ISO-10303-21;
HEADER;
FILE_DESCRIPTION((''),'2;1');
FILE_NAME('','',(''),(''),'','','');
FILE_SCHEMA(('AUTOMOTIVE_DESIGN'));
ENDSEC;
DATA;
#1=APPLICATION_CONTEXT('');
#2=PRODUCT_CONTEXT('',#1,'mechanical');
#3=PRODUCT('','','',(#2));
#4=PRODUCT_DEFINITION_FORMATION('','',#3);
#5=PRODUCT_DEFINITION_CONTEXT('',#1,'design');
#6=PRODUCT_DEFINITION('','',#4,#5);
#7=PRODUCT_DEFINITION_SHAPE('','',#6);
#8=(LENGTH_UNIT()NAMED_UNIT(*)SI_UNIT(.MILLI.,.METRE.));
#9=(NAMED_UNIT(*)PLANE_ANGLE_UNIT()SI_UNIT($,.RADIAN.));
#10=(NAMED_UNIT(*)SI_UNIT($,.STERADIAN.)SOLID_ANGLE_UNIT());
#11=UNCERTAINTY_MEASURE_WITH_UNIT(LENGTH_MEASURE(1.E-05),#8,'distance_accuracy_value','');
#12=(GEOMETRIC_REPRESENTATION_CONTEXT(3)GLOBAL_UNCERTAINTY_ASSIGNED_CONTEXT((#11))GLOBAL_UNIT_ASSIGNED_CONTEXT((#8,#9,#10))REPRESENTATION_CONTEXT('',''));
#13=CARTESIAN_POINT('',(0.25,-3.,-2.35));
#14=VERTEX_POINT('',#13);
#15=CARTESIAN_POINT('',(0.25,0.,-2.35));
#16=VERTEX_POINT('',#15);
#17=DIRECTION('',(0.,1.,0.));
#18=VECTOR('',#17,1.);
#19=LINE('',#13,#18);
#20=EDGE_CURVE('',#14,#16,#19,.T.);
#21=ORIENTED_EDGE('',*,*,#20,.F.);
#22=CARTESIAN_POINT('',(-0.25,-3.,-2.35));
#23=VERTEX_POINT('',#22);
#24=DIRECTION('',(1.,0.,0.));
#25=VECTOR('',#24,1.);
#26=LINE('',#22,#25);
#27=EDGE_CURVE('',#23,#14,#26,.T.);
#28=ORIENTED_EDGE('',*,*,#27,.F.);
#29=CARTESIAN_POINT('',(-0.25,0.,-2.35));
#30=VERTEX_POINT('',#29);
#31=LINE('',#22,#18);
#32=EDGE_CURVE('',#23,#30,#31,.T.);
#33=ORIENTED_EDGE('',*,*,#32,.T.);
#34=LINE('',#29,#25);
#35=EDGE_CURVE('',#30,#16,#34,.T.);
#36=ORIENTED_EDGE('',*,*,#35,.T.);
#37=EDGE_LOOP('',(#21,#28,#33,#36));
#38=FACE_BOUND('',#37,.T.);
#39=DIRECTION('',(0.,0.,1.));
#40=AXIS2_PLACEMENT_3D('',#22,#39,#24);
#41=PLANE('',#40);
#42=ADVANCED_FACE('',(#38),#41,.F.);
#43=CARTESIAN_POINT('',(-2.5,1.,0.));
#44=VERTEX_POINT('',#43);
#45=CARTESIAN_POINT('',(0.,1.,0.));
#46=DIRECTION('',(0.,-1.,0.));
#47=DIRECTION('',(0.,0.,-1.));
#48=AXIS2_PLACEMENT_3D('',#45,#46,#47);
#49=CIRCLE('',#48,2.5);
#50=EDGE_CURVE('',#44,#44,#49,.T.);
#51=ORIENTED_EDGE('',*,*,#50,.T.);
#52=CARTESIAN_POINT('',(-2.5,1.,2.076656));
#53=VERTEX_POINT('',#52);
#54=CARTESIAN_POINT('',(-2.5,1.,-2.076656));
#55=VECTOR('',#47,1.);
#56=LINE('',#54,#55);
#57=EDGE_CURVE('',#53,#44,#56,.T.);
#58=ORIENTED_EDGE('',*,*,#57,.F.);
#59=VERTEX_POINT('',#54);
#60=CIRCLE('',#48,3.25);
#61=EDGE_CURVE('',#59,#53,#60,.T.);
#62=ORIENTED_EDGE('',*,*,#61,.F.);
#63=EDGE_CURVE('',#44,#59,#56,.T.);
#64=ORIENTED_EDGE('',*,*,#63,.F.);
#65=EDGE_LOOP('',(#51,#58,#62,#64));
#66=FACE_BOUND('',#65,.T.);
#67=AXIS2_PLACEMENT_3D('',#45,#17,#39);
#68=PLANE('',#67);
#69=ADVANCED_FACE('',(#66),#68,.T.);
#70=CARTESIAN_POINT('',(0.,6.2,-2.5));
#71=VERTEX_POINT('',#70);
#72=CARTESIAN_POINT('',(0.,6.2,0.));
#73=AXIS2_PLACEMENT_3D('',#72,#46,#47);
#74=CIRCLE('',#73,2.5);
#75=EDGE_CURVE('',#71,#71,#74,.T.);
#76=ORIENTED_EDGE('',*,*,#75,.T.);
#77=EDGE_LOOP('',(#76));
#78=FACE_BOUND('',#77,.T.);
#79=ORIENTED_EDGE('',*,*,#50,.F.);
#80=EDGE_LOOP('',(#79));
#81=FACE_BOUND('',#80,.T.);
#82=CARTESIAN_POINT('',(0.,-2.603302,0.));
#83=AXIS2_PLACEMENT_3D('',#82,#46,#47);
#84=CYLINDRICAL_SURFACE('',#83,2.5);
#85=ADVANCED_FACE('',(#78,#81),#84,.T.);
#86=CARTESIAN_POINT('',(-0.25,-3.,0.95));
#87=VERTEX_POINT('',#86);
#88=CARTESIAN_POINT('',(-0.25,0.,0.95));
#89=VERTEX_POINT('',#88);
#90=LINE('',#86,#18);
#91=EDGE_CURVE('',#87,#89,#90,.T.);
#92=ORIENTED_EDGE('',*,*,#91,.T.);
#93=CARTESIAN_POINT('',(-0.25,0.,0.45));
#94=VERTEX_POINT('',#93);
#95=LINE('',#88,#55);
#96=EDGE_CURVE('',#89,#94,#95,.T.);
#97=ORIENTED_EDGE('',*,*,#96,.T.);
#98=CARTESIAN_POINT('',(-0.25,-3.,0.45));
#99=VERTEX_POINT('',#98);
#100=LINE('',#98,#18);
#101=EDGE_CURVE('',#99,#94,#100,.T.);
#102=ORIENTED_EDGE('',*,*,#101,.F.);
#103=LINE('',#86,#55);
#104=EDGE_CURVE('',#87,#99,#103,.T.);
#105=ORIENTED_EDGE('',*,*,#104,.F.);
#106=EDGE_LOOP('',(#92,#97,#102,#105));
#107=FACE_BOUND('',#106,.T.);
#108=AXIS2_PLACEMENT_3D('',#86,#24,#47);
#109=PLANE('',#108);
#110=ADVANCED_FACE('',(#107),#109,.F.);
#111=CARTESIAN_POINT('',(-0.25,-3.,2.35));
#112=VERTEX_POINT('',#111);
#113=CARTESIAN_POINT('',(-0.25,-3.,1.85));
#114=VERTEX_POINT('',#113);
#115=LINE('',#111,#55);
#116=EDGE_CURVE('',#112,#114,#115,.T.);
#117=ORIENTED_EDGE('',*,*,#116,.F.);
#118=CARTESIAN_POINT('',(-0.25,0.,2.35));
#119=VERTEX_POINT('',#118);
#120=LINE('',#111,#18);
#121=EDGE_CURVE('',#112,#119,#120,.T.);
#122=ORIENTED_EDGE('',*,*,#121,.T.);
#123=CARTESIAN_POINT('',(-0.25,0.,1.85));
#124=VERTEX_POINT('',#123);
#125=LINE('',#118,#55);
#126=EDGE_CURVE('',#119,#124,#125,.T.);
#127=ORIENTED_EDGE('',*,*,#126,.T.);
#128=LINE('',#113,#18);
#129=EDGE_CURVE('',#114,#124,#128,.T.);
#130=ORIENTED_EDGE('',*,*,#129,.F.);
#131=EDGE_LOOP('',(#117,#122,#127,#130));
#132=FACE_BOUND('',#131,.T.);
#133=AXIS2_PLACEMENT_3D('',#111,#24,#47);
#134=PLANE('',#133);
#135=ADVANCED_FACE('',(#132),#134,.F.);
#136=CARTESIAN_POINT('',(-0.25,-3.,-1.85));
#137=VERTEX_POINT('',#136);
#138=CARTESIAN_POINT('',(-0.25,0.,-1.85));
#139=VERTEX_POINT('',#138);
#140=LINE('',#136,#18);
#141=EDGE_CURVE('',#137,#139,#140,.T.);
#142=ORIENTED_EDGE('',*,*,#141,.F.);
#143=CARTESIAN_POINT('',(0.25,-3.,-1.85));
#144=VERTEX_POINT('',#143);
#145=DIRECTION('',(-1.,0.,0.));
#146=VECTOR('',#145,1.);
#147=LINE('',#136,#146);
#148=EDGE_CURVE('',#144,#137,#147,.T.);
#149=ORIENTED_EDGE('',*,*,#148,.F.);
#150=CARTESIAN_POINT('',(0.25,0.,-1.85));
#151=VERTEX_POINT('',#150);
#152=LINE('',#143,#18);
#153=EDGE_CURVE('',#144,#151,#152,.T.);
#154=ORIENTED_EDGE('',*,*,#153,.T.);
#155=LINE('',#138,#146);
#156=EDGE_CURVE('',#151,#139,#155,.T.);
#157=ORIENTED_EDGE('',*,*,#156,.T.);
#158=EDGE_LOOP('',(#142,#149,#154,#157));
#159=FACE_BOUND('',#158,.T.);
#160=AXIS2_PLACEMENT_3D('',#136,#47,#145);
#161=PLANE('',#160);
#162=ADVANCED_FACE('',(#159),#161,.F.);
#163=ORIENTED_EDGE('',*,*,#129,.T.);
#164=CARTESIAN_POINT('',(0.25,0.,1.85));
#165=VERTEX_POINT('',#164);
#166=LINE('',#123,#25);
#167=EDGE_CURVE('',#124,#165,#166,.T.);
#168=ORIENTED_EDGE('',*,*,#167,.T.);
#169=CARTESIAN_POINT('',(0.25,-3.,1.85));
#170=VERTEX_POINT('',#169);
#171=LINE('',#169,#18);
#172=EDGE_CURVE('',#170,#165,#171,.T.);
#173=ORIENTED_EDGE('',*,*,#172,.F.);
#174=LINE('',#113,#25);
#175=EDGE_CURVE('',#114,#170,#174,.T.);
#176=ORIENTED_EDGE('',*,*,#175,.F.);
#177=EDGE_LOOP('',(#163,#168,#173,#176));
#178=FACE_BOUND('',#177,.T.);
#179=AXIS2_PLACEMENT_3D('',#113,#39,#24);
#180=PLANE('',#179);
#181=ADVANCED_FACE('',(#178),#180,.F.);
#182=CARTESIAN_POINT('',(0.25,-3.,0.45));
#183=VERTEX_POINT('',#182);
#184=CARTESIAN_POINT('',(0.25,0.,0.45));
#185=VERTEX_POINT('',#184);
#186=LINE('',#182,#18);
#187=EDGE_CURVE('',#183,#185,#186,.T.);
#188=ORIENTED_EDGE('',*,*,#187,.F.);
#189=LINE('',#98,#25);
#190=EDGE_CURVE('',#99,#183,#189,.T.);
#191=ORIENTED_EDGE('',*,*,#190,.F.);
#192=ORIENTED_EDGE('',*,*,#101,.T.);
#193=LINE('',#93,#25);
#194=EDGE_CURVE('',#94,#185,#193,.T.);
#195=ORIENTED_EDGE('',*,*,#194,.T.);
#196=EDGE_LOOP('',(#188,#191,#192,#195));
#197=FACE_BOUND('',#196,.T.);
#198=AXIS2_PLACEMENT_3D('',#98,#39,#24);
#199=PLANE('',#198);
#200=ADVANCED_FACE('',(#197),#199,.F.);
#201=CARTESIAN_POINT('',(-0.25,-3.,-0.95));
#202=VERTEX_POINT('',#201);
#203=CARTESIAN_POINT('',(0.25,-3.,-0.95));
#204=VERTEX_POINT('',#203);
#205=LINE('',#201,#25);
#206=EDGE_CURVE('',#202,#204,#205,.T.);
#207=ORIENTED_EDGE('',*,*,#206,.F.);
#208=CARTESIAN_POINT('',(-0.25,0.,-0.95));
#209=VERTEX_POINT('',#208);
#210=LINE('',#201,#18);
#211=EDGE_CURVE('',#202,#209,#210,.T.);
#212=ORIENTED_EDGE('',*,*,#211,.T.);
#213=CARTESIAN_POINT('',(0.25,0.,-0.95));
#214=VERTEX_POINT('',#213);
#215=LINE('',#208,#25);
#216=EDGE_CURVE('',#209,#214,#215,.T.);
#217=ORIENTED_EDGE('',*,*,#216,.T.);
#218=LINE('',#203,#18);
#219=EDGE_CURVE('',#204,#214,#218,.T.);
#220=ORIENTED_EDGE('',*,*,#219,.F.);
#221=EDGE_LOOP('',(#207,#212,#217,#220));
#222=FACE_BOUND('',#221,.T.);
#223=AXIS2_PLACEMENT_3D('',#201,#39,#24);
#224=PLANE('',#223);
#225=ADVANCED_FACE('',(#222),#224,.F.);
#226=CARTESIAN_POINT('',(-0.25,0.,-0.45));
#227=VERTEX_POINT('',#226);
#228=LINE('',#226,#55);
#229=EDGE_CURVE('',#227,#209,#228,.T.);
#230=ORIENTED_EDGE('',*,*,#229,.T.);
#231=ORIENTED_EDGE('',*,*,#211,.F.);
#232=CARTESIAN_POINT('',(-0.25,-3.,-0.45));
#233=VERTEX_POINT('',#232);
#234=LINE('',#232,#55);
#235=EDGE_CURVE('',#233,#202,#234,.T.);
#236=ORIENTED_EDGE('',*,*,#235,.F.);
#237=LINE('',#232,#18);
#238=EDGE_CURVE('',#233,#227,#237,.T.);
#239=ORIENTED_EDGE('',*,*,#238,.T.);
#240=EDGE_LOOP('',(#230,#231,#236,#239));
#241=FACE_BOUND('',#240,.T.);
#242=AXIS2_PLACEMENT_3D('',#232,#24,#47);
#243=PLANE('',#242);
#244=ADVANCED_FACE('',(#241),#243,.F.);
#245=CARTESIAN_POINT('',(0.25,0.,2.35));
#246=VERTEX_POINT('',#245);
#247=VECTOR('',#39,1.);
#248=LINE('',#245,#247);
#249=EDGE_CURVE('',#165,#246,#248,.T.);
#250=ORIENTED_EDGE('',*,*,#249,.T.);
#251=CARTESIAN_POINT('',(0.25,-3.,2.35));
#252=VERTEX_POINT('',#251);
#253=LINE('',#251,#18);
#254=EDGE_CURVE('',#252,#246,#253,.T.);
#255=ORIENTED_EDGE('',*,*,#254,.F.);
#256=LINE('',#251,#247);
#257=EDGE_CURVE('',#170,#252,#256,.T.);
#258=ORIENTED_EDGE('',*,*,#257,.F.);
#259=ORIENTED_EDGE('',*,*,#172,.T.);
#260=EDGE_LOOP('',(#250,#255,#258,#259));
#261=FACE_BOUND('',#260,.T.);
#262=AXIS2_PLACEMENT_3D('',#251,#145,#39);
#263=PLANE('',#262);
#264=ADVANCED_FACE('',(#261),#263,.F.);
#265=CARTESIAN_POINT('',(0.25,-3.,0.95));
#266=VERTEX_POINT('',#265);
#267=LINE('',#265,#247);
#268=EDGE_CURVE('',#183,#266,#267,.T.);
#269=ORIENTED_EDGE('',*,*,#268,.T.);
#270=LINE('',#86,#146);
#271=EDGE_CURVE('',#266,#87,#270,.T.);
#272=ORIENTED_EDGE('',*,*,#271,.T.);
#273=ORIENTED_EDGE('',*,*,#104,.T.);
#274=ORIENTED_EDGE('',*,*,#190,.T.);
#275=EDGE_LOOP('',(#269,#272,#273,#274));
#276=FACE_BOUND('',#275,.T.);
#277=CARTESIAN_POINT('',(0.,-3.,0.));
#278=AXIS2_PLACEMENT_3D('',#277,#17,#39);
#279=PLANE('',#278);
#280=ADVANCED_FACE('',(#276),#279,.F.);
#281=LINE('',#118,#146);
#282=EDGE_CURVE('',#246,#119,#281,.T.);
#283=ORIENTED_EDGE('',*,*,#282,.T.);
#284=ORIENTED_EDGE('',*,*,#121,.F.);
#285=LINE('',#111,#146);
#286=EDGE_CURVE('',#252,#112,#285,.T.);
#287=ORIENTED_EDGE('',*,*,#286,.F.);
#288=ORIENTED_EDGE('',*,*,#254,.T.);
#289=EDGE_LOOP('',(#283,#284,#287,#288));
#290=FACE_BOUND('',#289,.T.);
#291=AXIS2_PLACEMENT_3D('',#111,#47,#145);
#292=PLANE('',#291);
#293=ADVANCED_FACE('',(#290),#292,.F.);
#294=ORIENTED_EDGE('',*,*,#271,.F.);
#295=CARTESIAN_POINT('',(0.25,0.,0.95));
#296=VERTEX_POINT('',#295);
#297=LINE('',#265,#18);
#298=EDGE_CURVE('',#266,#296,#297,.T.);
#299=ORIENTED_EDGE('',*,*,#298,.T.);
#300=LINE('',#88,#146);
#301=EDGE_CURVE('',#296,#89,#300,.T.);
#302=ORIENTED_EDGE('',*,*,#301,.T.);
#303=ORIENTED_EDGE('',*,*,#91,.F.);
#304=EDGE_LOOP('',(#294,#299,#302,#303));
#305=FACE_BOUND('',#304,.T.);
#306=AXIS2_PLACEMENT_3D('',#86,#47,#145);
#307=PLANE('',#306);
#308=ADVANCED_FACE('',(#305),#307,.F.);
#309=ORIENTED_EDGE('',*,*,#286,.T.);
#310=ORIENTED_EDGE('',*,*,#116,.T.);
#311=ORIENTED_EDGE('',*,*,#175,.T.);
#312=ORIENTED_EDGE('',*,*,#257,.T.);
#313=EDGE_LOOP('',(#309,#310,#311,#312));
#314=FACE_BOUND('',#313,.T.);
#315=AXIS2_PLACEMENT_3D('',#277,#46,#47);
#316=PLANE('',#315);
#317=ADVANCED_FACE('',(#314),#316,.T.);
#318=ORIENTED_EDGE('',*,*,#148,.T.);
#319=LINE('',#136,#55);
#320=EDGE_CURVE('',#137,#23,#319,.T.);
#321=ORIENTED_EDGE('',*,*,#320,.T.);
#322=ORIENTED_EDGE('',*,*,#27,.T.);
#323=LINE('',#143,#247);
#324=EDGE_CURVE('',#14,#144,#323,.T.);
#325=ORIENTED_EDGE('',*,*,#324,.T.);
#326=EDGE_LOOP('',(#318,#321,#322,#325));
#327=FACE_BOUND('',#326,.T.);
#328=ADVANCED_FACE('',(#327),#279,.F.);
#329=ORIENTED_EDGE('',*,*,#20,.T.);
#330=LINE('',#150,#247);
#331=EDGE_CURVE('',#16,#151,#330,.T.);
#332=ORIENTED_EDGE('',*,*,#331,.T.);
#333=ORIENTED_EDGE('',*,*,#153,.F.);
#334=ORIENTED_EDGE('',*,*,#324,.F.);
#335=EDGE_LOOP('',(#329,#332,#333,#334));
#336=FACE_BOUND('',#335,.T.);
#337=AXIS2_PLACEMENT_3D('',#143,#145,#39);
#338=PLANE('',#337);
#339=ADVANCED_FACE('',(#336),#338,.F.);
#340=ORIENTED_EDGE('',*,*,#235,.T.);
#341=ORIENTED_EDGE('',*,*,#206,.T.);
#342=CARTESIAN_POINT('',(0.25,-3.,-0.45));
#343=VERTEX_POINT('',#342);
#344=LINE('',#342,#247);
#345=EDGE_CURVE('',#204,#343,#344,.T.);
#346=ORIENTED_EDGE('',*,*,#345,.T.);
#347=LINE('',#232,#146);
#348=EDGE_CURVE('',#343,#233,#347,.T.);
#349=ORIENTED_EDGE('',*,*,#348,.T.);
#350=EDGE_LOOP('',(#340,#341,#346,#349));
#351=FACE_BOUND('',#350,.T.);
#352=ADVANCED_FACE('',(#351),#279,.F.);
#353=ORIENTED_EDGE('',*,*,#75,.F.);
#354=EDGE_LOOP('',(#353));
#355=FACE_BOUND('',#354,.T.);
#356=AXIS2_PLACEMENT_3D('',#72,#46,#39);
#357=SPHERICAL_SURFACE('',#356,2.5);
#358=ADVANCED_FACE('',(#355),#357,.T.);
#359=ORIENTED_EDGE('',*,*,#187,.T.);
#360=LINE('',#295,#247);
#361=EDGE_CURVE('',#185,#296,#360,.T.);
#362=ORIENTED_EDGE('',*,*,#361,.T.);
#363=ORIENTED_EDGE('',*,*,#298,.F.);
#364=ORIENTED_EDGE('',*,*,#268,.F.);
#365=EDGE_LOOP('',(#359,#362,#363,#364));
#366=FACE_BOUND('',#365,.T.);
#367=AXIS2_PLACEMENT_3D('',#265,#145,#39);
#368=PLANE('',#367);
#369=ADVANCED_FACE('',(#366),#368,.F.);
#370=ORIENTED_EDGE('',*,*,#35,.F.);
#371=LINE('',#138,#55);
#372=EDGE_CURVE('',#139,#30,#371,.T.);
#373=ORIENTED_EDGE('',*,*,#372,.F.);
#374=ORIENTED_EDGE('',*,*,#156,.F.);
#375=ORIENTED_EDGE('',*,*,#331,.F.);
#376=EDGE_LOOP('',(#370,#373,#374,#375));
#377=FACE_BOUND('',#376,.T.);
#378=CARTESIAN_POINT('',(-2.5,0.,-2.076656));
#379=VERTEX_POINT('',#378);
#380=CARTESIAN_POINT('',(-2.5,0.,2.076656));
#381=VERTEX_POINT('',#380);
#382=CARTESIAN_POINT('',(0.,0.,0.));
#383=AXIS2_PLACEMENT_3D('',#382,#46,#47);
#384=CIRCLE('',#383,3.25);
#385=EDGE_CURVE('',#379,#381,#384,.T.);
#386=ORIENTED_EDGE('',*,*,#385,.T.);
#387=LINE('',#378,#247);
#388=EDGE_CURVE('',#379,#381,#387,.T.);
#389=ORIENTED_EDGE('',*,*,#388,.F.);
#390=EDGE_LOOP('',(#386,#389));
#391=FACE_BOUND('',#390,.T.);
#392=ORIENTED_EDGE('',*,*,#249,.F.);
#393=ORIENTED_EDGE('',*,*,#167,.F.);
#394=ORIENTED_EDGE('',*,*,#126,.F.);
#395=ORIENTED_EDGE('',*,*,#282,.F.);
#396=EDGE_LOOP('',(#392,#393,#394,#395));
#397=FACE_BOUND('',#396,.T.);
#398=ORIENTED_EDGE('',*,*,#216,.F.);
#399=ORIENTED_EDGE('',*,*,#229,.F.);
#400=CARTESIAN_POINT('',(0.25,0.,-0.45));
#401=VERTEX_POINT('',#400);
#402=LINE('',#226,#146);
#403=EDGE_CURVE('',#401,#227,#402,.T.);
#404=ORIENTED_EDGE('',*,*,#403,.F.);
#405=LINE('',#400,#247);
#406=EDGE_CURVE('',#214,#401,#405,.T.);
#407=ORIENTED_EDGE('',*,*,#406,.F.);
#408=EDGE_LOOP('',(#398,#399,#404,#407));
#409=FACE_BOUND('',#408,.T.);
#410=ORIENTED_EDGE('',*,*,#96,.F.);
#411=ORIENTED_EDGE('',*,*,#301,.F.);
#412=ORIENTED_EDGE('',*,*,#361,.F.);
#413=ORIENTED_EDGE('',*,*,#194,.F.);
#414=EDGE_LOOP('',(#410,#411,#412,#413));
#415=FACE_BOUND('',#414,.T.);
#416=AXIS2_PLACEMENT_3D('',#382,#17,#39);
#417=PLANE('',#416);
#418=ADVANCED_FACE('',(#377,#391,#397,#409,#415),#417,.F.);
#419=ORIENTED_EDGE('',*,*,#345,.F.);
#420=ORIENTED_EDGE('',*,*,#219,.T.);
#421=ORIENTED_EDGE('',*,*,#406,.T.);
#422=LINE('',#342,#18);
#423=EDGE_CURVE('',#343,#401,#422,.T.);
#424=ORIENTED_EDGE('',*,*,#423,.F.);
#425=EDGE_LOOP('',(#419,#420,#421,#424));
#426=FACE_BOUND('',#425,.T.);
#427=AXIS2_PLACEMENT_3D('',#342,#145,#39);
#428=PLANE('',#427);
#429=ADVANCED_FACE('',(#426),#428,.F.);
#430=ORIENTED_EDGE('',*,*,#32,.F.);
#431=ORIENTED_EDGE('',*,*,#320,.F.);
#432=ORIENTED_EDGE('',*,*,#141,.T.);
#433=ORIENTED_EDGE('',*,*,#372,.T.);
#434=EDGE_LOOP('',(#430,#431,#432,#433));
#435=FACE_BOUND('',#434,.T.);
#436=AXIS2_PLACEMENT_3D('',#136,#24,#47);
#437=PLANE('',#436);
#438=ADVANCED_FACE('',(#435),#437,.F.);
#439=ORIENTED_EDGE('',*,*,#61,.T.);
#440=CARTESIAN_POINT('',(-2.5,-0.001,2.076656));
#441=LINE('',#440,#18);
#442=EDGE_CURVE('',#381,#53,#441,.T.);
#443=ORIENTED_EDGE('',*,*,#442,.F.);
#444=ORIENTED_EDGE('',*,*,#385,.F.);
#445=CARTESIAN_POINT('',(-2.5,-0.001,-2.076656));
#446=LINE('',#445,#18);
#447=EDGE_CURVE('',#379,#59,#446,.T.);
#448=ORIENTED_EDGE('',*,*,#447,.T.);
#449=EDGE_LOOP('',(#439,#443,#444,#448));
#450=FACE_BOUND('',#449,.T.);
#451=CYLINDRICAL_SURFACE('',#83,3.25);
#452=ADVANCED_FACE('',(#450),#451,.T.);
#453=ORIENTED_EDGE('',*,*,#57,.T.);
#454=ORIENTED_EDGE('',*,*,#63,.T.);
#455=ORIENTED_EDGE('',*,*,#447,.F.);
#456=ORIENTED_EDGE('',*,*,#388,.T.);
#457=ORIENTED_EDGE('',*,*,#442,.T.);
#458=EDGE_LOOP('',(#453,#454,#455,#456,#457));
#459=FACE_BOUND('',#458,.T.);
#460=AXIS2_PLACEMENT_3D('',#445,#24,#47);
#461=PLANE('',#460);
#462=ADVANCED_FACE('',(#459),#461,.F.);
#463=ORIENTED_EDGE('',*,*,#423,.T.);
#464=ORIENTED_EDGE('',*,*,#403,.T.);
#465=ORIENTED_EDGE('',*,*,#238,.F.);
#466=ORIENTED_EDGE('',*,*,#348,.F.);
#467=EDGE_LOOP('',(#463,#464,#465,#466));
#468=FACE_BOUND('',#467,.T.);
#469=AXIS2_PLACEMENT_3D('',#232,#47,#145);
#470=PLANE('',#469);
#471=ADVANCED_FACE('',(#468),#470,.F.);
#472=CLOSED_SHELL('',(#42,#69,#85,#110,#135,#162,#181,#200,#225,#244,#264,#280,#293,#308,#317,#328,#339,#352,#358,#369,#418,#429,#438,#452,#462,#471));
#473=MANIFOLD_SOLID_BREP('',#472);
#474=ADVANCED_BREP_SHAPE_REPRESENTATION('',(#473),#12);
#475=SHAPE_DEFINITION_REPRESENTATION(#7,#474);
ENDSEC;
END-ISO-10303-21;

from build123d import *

# Parameters (mm, degrees)
CUT_EXTRUDE_2_REACH = 10.967
SKETCH_5_W          = 0.5
SKETCH_5_H          = 0.5
EXTRUDE_1_DEPTH     = 3


with BuildPart() as part:
    # Эскиз1 → Повернуть1 (revolve)
    with BuildSketch(Plane(origin=(0, 0, 0), x_dir=(0, 0, -1), z_dir=(1, 0, 0)), mode=Mode.PRIVATE) as revolve_1_sk:
        with BuildLine():
            Line((-2.5, 1), (0, 1))
            Line((0, 1), (0, 8.7))
            ThreePointArc((0, 8.7), (-1.767766953, 7.967766953), (-2.5, 6.2))
            Line((-2.5, 6.2), (-2.5, 1))
        make_face()
        Polygon((-3.25, 1), (-3.25, 0), (0, 0), (0, 1), (-2.5, 1), align=None)
    revolve(revolve_1_sk.sketch.rotate(Axis((0, -2.603301624, 0), (0, 1, 0)), 180), axis=Axis((0, -2.603301624, 0), (0, 1, 0)))

    # Эскиз4 → Вырез-Вытянуть2 (cut, up to next)
    with BuildSketch(Plane(origin=(0, 1, 0), x_dir=(1, 0, 0), z_dir=(0, 1, 0)), mode=Mode.PRIVATE) as cut_extrude_2_sk1:
        with BuildLine():
            Line((-2.5, 2.076655966), (-2.5, -2.076655966))
            ThreePointArc((-2.5, -2.076655966), (-3.25, 0), (-2.5, 2.076655966))
        make_face()
    cut_extrude_2_tool1 = extrude(cut_extrude_2_sk1.sketch, amount=-CUT_EXTRUDE_2_REACH, mode=Mode.PRIVATE) & part.part
    add(cut_extrude_2_tool1.solids().sort_by_distance((-2.80318, 1, 0))[0], mode=Mode.SUBTRACT)

    # Эскиз5 → Бобышка-Вытянуть1 (add)
    with BuildSketch(Plane.XZ):
        with Locations((0, 0.7)):
            Rectangle(SKETCH_5_W, SKETCH_5_H)
        with Locations((0, 2.1)):
            Rectangle(SKETCH_5_W, SKETCH_5_H)
        with Locations((0, -0.7)):
            Rectangle(SKETCH_5_W, SKETCH_5_H)
        with Locations((0, -2.1)):
            Rectangle(SKETCH_5_W, SKETCH_5_H)
    extrude(amount=EXTRUDE_1_DEPTH)


solid = part.part
